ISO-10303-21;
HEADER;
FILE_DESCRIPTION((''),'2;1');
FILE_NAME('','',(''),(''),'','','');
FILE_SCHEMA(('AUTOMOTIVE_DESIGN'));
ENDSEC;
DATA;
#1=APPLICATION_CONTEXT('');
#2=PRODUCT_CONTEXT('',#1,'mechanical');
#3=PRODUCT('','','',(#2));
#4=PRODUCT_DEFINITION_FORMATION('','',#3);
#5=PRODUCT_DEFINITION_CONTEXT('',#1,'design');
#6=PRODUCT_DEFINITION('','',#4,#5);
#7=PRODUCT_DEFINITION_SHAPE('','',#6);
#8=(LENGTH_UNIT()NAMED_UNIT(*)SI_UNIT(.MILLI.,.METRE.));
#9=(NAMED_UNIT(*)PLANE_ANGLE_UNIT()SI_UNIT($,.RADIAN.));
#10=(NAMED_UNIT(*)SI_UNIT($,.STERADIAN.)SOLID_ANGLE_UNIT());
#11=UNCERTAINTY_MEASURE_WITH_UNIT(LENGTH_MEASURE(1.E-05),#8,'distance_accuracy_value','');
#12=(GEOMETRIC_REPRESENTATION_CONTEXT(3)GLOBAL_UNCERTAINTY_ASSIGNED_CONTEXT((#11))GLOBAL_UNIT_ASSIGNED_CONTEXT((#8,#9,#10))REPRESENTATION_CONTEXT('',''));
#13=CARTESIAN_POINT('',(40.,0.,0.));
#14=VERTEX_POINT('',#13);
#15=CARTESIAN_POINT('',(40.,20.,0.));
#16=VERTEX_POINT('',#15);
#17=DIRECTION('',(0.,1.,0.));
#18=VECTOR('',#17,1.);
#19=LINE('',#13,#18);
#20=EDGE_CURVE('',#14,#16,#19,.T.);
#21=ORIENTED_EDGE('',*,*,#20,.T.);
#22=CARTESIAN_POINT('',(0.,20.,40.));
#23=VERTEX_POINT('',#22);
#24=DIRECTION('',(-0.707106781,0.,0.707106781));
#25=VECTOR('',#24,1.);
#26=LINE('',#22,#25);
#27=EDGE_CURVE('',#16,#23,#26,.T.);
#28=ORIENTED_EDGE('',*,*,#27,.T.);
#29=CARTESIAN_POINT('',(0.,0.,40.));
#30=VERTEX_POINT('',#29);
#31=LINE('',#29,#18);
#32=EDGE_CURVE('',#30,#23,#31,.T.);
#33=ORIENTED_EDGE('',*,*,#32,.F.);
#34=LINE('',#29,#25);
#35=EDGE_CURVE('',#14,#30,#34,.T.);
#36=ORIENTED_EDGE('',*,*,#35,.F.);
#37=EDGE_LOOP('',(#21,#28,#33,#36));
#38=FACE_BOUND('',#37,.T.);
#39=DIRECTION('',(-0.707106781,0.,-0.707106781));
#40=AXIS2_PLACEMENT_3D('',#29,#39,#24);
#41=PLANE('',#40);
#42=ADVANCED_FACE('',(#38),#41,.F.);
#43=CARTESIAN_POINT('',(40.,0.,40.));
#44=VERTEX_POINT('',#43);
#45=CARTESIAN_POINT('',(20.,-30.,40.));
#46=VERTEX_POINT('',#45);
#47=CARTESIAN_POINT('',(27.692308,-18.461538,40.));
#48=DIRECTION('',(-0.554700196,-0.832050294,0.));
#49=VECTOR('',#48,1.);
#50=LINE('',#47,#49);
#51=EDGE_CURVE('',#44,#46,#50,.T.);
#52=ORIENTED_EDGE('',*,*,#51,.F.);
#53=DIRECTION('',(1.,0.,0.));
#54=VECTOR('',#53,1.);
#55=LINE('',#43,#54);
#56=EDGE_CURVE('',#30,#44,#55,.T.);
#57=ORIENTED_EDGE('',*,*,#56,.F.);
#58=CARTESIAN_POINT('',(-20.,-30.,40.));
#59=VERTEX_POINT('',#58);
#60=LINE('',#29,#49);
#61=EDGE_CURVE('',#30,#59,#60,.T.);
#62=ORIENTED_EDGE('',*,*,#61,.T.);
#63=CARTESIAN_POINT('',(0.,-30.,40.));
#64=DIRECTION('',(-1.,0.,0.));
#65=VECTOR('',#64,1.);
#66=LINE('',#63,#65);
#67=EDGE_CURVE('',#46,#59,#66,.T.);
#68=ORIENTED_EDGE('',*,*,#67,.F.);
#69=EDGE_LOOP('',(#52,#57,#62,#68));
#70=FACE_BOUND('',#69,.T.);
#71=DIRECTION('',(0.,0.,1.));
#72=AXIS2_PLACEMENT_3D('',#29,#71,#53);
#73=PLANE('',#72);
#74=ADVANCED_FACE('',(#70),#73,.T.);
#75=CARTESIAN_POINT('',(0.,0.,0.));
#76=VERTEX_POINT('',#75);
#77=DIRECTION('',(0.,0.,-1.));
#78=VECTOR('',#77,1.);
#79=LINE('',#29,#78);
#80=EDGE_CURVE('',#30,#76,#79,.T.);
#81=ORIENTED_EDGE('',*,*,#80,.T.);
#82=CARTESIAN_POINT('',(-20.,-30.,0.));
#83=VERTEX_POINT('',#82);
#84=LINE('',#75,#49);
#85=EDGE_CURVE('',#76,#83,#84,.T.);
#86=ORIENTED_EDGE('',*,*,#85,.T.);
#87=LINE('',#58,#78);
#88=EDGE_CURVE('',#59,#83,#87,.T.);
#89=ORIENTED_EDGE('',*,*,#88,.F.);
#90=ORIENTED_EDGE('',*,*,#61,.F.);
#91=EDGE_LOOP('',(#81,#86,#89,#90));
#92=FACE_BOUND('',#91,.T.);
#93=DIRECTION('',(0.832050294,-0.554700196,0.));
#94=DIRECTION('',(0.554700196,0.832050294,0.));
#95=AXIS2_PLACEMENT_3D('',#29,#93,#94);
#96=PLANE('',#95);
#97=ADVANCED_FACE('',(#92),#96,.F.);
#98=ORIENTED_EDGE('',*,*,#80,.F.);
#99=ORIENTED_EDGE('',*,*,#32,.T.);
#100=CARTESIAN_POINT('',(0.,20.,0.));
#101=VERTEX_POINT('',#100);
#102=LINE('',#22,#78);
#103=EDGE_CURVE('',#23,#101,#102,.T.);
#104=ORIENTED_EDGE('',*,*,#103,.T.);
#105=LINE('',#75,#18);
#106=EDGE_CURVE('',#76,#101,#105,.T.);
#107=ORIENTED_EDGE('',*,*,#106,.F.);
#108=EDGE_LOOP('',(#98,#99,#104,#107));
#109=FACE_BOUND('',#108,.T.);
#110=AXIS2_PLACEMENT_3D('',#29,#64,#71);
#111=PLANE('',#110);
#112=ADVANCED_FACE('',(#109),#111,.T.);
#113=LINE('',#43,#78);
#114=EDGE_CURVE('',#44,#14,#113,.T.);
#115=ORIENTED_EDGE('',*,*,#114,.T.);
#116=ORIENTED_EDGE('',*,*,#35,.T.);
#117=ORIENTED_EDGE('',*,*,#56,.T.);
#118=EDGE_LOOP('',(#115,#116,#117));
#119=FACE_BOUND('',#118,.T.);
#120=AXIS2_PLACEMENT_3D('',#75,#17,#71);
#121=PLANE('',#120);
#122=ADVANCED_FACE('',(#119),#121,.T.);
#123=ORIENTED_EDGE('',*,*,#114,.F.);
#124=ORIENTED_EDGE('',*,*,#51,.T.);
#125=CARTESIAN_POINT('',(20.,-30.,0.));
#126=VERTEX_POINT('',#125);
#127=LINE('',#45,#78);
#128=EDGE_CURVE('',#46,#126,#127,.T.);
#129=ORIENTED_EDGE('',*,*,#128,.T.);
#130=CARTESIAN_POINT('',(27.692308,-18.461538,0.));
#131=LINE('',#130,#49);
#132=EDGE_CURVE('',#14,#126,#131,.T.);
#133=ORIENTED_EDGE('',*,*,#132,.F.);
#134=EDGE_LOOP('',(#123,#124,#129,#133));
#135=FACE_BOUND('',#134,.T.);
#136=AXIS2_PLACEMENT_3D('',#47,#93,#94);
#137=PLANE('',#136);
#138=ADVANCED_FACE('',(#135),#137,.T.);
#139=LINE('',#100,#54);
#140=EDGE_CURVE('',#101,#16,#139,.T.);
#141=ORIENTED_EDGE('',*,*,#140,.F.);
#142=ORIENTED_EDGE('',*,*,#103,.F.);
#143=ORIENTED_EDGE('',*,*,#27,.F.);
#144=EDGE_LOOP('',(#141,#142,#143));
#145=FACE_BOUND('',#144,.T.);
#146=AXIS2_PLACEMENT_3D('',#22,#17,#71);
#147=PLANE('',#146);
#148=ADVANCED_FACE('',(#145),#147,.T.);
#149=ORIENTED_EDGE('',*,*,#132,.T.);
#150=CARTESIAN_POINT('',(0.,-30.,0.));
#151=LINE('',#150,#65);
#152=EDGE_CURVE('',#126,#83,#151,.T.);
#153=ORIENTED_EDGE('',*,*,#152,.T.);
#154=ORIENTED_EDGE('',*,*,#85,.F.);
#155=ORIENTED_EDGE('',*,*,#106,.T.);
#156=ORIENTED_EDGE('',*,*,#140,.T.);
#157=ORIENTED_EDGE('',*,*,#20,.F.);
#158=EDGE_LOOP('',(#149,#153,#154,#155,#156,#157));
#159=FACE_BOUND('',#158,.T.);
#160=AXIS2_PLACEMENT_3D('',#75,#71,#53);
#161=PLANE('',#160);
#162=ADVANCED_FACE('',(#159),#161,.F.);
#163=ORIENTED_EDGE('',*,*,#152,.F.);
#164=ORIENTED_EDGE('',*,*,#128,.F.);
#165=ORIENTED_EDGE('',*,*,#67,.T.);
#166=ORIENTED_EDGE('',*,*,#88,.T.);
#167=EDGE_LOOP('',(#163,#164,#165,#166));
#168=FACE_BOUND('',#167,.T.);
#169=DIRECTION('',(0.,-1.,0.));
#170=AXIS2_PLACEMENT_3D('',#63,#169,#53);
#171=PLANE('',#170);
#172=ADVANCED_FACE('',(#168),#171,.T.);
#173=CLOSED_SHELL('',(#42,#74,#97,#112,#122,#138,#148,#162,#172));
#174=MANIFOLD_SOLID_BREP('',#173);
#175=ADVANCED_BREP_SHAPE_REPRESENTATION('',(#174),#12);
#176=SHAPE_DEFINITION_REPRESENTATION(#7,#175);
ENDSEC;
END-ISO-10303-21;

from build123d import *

# Parameters (mm, degrees)
SKETCH1_W           = 40
SKETCH1_H           = 20
BOSS_EXTRUDE1_DEPTH = 40
CUT_EXTRUDE1_DEPTH  = 20


with BuildPart() as part:
    # Sketch1 → Boss-Extrude1 (new body)
    with BuildSketch(Plane.XY):
        Polygon((20, -30), (-20, -30), (0, 0), (40, 0), align=None)
        with Locations((20, 10)):
            Rectangle(SKETCH1_W, SKETCH1_H)
    extrude(amount=BOSS_EXTRUDE1_DEPTH)

    # Sketch2 → Cut-Extrude1 (cut)
    with BuildSketch(Plane(origin=(0, 20, 0), x_dir=(1, 0, 0), z_dir=(0, 1, 0))):
        Polygon((0, -40), (40, 0), (40, -40), align=None)
    extrude(amount=-CUT_EXTRUDE1_DEPTH, mode=Mode.SUBTRACT)


solid = part.part
